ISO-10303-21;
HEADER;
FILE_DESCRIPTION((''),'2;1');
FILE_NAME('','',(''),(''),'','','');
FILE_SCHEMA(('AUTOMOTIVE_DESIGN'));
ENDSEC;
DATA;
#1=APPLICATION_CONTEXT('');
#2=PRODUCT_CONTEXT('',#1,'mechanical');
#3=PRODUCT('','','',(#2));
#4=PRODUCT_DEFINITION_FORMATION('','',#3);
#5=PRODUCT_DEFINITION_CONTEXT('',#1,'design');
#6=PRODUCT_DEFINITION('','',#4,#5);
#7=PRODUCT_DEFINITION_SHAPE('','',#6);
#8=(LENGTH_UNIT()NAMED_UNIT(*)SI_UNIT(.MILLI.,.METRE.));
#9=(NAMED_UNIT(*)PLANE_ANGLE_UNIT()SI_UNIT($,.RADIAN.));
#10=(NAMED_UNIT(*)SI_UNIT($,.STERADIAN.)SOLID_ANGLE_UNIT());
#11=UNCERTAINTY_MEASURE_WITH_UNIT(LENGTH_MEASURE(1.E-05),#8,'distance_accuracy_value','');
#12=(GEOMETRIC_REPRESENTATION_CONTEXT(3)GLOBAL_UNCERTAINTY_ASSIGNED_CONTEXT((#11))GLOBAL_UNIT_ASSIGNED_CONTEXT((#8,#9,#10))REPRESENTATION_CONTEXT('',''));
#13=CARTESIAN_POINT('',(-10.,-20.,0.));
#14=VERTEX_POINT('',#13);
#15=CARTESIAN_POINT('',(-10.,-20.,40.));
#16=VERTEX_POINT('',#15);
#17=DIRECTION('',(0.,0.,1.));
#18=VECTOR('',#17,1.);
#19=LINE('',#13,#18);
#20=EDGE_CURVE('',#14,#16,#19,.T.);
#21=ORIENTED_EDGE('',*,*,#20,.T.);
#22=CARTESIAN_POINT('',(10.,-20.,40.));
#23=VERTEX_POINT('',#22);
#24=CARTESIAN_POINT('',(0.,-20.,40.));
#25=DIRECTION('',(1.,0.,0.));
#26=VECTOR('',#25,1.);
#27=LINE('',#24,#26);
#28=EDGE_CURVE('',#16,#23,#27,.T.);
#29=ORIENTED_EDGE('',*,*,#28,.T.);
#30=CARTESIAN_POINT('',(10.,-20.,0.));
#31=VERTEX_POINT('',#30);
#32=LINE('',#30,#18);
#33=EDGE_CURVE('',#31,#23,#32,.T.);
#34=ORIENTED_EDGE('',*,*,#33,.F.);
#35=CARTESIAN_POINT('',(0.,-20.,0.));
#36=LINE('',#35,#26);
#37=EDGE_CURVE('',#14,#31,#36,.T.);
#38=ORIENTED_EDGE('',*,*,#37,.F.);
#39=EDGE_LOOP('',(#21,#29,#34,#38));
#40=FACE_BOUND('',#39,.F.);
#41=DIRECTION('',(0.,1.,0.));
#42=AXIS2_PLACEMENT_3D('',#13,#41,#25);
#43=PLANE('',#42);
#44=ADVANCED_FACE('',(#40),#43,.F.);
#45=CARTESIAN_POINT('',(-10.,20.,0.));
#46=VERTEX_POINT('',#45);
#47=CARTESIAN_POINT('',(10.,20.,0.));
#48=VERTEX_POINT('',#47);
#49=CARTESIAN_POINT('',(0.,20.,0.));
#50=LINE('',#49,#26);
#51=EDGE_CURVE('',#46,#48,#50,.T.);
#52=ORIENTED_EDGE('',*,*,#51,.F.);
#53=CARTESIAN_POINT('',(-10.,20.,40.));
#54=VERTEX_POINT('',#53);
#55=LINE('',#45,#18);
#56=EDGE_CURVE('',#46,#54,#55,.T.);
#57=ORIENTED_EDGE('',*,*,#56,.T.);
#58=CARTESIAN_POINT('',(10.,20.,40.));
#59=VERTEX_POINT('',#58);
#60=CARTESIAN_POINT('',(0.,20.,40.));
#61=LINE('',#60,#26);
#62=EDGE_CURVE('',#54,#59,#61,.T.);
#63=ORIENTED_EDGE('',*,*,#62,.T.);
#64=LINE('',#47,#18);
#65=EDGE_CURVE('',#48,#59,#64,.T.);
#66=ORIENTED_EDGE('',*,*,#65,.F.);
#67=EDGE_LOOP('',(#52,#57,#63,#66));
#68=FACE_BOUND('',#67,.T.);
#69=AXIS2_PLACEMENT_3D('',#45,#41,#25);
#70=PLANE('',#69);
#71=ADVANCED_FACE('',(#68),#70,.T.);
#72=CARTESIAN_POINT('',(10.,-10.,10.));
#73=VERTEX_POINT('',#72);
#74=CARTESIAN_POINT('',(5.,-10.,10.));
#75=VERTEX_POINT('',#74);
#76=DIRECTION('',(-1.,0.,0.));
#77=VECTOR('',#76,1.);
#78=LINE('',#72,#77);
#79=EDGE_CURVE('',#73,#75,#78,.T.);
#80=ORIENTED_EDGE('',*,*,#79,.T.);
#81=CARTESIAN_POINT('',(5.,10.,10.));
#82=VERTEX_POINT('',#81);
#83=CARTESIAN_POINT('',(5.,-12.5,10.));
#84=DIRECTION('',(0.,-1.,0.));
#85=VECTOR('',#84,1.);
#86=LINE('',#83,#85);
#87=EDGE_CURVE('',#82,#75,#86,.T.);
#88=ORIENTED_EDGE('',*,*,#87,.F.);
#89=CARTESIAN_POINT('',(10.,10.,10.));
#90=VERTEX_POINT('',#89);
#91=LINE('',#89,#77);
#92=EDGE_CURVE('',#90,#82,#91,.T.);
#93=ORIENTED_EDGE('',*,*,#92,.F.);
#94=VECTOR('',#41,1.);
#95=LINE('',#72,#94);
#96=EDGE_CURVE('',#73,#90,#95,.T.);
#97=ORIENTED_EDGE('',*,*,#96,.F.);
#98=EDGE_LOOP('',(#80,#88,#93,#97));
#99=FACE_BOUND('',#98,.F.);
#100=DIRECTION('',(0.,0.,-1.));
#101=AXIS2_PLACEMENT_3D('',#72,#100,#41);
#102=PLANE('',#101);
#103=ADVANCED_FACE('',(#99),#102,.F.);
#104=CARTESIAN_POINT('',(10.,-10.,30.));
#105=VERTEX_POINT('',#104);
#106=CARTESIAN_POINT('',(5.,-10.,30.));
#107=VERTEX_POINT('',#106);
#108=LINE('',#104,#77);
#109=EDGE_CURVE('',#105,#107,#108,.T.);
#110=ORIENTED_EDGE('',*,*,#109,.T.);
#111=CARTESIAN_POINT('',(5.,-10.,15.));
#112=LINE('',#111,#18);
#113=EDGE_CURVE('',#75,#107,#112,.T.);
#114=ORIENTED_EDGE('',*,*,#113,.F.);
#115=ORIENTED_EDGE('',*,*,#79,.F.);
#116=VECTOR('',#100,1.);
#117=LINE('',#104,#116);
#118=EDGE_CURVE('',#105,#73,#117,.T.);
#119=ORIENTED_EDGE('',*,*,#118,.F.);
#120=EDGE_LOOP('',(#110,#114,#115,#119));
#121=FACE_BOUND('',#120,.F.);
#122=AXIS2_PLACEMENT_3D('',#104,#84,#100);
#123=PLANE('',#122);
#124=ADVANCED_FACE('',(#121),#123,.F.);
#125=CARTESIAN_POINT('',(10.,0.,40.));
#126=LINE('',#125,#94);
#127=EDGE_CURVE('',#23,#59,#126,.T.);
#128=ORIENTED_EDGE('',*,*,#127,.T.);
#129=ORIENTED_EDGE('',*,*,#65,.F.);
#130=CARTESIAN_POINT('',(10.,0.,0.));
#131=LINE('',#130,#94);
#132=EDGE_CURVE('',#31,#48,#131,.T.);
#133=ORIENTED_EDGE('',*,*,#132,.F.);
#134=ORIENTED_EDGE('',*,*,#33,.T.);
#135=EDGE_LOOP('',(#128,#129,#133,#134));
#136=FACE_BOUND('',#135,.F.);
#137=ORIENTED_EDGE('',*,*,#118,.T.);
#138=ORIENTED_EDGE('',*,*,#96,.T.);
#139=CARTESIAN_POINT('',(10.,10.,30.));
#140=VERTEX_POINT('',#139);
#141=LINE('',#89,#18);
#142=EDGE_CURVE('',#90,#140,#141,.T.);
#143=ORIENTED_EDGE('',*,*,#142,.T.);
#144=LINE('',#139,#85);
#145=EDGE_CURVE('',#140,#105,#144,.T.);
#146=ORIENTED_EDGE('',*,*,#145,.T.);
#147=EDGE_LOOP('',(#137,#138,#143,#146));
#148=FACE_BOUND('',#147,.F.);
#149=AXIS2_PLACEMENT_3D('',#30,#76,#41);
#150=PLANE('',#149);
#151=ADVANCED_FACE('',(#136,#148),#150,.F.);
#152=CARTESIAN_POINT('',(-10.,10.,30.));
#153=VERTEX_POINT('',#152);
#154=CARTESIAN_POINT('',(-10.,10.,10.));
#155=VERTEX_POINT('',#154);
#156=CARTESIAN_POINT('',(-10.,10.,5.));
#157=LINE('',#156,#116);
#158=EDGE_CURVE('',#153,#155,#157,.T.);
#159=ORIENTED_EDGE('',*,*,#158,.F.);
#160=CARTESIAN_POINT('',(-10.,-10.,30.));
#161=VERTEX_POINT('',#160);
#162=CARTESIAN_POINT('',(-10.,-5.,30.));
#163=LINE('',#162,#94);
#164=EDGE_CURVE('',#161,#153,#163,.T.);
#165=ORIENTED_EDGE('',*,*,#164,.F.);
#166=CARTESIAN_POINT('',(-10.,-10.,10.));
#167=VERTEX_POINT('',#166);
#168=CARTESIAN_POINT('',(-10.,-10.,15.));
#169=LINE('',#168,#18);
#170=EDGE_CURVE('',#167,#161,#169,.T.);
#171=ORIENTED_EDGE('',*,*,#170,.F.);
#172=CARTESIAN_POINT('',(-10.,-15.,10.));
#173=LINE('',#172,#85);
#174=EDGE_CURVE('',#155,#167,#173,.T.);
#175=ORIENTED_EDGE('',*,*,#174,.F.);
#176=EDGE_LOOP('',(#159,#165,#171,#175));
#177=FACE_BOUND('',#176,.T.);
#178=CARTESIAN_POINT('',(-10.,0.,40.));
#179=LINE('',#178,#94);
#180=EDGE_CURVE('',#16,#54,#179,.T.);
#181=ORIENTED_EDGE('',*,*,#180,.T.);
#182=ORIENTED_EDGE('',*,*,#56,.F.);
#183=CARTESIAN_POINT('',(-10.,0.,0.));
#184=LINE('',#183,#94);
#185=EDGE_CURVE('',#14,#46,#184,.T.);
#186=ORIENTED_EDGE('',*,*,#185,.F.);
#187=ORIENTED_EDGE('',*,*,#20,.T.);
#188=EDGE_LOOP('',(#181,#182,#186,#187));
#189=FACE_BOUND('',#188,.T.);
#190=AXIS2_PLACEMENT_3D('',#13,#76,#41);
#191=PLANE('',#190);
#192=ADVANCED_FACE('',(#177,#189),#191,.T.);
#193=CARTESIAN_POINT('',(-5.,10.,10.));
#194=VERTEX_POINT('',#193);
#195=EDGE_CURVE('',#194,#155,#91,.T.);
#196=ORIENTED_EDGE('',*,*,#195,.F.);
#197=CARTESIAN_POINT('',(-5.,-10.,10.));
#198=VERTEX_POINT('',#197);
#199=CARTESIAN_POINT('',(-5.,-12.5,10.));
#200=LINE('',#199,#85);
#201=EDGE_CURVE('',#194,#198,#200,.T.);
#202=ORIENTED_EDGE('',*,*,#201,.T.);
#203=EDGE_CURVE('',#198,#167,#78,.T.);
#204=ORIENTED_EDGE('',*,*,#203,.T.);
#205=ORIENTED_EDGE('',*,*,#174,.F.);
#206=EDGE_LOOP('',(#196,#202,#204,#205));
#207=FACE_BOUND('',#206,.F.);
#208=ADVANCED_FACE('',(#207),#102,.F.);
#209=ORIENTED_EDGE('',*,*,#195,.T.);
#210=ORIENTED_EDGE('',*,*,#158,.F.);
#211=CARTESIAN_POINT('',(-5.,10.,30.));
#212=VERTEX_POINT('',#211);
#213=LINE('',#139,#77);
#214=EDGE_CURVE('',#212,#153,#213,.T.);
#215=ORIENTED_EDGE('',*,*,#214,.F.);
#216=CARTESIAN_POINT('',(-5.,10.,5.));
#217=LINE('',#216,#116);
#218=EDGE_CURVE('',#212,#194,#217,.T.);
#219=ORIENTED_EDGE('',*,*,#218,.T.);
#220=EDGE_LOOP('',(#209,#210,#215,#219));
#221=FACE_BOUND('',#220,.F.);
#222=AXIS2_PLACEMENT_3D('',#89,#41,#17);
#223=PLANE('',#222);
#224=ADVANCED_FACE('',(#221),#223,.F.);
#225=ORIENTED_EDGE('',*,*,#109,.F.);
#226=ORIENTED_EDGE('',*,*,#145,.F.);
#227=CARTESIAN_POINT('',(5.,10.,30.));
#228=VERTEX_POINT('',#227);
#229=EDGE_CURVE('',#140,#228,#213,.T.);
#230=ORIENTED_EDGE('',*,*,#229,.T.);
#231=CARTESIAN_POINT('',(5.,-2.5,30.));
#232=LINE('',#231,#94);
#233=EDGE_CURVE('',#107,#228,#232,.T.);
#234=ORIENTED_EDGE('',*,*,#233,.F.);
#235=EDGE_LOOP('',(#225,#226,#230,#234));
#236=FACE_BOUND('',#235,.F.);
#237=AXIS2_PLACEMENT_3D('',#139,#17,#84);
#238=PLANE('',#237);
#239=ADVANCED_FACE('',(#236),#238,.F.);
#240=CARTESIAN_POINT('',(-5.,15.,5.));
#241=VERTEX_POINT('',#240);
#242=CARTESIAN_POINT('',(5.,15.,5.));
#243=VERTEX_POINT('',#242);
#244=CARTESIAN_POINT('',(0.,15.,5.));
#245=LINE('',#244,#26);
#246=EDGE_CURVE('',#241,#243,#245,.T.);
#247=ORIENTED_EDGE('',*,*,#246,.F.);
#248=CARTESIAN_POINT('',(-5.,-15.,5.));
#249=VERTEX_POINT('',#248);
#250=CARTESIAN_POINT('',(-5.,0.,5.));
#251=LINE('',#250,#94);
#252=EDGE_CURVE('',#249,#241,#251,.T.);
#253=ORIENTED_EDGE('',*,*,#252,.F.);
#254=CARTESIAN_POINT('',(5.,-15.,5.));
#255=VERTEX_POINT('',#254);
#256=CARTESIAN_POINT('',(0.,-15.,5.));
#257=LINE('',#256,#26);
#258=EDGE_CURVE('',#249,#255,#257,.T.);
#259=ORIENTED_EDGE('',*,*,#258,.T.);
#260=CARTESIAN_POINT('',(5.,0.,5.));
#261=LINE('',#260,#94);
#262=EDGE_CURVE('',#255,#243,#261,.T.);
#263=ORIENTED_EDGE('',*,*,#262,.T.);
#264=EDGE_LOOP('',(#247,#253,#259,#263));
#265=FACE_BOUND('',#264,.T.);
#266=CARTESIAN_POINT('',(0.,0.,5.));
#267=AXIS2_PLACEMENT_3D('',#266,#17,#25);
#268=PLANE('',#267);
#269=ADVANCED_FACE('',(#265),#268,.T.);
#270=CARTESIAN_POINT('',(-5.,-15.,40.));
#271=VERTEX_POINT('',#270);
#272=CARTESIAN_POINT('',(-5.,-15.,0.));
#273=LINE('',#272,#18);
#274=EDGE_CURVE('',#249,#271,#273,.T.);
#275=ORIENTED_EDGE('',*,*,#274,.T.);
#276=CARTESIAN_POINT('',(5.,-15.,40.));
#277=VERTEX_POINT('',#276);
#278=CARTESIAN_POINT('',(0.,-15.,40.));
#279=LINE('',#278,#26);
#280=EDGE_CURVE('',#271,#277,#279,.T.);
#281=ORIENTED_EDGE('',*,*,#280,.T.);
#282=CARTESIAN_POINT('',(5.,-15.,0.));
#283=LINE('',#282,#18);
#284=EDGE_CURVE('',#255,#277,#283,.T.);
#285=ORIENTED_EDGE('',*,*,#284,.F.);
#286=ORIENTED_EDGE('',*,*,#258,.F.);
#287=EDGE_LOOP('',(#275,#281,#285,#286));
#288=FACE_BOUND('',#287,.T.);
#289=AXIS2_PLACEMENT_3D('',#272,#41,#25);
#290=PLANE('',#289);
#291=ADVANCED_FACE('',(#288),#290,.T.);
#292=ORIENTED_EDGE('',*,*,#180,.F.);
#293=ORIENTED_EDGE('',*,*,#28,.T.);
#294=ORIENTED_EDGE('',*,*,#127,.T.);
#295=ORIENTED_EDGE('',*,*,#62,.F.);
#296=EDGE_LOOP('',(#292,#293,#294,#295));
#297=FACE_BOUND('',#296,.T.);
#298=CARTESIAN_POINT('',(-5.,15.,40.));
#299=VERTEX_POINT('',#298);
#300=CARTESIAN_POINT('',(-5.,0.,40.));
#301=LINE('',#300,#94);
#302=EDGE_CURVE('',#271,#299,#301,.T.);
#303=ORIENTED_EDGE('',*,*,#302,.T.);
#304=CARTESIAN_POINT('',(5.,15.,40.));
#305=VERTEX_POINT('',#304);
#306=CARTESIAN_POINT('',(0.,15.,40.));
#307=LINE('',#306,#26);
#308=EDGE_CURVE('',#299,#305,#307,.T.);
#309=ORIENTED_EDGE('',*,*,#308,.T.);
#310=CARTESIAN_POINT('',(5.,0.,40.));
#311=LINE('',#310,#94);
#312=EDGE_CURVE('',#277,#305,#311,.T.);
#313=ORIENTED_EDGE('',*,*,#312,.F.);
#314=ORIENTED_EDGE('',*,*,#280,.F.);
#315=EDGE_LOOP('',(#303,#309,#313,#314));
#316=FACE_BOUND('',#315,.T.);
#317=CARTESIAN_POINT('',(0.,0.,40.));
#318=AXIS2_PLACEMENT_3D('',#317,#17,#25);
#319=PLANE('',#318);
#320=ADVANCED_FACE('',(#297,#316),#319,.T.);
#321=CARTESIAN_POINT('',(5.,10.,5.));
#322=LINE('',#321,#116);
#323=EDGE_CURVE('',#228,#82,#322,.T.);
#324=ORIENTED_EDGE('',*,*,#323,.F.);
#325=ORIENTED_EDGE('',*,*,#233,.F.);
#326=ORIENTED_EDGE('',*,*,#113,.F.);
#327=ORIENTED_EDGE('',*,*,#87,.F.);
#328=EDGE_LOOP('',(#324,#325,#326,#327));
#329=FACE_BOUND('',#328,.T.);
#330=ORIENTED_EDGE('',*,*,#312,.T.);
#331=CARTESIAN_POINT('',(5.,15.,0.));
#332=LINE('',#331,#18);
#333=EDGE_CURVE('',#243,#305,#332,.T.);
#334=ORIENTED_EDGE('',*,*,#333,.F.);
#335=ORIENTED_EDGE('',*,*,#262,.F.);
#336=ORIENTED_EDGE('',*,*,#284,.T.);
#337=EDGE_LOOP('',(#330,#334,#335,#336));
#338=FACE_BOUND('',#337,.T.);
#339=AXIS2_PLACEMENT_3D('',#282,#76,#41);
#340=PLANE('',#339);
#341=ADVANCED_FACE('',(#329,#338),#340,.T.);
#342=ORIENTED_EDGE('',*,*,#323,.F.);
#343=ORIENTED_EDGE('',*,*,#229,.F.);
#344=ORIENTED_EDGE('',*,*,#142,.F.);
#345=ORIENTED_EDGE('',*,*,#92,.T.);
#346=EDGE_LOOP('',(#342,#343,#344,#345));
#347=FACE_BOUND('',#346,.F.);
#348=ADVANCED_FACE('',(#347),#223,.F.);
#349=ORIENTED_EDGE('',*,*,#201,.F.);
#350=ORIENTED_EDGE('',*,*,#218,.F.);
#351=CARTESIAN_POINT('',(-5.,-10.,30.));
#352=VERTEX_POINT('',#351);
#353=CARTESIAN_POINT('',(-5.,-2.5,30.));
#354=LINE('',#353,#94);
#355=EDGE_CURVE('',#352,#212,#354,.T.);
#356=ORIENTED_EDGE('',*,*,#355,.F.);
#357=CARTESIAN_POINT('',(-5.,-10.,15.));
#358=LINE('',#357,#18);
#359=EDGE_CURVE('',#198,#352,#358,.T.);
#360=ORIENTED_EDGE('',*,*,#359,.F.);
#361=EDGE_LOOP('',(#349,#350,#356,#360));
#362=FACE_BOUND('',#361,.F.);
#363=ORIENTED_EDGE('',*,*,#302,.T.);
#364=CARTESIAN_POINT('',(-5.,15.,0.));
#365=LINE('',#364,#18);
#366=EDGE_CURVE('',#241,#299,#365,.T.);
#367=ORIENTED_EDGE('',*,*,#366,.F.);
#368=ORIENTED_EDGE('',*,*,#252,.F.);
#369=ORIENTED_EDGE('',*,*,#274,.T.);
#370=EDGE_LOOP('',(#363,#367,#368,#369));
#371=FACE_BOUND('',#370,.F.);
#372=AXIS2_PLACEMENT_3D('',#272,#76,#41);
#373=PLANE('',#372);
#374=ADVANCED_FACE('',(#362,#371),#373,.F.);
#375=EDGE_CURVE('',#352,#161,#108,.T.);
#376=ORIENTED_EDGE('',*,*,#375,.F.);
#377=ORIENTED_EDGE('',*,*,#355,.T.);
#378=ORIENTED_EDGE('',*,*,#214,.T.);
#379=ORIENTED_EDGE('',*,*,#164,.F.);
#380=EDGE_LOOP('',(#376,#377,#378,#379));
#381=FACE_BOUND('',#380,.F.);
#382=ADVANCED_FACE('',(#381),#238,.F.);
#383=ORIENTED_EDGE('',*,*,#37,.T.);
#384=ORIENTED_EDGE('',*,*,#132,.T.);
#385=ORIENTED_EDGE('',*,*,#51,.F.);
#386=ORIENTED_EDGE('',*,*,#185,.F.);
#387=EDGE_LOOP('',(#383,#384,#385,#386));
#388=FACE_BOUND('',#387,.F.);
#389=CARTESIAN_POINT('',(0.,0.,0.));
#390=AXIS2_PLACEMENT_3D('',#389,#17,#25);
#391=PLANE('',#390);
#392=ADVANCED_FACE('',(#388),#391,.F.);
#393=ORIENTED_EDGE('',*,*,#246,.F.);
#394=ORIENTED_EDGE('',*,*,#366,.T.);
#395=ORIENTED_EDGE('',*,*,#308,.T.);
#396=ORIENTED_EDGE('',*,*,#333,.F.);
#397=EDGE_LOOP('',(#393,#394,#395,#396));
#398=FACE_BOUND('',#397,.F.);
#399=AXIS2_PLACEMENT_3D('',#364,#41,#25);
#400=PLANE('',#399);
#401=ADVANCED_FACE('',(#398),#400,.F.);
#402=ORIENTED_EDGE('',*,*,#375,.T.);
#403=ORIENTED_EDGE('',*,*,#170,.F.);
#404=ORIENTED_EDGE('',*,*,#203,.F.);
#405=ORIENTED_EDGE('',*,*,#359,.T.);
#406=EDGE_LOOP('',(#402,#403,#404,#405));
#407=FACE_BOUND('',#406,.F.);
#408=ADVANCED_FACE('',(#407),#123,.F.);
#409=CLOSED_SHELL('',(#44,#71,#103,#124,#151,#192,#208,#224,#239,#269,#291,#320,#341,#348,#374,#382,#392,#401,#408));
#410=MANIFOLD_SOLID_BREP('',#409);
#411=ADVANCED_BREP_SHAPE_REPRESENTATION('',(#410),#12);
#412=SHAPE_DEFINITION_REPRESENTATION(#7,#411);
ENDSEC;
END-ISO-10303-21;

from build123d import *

# Parameters (mm, degrees)
F0_W     = 20
F0_H     = 40
F0_W_2   = 10
F0_H_2   = 30
F1_DEPTH = 40
F2_DEPTH = 5
F4_DEPTH = 60


with BuildPart() as f1:
    # F0 (on Top) → F1 (new body)
    with BuildSketch(Plane.XY):
        Rectangle(F0_W, F0_H)
        Rectangle(F0_W_2, F0_H_2, mode=Mode.SUBTRACT)
    extrude(amount=F1_DEPTH)

    # F0 (on Top) → F2 (join)
    with BuildSketch(Plane.XY):
        Rectangle(F0_W_2, F0_H_2)
    extrude(amount=F2_DEPTH)

    # F3 (on face) → F4 (cut)
    with BuildSketch(Plane.YZ.offset(10)):
        Polygon((-10, 10), (0, 10), (10, 10), (10, 30), (-10, 30), align=None)
    extrude(amount=-F4_DEPTH, mode=Mode.SUBTRACT)


solid = f1.part
